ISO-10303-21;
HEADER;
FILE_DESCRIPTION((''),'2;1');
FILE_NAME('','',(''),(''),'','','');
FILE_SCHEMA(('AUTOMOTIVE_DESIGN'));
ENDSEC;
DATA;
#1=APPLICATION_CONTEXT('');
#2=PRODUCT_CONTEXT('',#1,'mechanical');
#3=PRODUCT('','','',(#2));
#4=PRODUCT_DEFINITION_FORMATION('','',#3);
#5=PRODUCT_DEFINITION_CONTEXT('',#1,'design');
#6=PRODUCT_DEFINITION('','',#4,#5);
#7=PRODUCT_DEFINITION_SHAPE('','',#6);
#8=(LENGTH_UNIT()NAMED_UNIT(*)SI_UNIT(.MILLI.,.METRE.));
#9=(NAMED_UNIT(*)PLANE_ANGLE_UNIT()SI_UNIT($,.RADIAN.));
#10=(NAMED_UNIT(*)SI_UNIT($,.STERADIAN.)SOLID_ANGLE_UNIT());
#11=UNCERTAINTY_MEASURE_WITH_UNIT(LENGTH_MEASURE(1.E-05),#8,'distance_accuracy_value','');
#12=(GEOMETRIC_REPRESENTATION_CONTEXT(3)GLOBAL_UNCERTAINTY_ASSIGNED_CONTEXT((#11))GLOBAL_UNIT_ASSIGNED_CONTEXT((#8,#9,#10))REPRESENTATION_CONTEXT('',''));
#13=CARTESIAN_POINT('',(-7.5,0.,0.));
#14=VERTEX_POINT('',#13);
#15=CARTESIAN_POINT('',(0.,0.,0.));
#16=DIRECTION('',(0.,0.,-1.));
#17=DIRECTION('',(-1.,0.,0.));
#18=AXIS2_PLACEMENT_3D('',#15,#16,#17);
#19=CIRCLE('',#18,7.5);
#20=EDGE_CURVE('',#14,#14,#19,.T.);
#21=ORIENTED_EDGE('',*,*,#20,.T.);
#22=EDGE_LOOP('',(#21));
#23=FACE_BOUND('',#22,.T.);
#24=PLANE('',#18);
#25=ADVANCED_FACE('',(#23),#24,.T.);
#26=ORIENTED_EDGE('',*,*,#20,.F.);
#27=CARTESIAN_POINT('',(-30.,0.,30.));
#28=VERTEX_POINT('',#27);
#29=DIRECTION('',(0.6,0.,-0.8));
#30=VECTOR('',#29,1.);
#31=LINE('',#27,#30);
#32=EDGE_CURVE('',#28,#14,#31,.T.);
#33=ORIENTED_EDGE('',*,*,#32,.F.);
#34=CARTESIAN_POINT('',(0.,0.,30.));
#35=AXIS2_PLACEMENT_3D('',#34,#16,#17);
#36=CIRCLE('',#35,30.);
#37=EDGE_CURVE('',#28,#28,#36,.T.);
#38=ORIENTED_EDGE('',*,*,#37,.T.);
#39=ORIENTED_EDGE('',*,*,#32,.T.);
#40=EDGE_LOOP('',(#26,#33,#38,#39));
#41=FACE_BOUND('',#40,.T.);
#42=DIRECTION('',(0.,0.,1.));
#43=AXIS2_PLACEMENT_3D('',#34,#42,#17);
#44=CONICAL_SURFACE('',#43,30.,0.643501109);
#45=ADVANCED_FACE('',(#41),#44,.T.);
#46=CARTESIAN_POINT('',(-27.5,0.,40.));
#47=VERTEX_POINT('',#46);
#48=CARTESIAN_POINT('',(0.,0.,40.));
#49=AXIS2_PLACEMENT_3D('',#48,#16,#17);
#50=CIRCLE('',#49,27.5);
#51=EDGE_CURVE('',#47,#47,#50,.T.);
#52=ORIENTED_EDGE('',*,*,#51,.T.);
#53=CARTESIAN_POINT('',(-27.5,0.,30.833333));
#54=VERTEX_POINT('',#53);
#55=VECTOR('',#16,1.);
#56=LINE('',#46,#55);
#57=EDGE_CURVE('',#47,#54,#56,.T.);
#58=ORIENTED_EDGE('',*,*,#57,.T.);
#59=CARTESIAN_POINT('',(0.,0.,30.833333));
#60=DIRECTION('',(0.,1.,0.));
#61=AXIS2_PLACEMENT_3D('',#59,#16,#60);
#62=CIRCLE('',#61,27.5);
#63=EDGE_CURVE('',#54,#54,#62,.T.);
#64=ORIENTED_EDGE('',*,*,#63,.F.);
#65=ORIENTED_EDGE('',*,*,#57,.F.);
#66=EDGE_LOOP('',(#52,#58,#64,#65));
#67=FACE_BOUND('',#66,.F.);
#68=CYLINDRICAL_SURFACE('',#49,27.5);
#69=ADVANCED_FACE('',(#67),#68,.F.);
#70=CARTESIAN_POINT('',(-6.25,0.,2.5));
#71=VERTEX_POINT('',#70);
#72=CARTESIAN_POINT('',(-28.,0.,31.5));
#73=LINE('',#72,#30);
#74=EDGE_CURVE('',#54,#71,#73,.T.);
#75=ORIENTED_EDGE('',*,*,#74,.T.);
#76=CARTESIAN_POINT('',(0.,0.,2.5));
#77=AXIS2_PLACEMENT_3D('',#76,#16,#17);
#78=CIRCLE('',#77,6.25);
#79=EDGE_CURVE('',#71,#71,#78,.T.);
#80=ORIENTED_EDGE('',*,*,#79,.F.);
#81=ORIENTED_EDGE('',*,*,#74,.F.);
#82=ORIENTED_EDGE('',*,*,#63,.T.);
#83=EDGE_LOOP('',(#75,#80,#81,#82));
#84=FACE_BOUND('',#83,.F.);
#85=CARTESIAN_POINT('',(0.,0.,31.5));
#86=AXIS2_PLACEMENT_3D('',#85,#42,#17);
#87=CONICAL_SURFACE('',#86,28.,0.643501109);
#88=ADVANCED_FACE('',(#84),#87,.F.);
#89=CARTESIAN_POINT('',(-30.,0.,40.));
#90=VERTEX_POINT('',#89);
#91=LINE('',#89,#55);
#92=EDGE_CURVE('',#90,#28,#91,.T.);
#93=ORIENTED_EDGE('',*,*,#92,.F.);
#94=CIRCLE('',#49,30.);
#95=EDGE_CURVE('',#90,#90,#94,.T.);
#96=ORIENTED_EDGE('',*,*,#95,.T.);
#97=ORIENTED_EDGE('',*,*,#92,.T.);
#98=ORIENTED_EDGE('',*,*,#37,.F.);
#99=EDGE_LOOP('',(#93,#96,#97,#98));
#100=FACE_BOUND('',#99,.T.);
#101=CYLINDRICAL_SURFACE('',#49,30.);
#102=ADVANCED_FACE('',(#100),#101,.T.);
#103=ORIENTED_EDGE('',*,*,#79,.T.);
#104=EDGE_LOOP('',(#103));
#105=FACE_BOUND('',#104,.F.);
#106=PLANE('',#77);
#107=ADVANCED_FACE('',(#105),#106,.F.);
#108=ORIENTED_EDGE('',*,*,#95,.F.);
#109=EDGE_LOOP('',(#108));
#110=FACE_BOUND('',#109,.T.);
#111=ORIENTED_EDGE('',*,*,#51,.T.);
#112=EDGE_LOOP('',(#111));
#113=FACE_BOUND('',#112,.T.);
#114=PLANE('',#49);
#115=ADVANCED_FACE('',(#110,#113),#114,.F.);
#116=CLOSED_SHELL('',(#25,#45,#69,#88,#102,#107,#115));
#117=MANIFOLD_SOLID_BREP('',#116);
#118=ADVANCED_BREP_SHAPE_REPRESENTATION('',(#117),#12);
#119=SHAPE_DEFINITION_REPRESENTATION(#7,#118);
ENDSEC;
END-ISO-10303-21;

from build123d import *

# Parameters (mm, degrees)
F2_T = -2.5


with BuildPart() as f1:
    # F0 (on Front) → F1 (revolve)
    with BuildSketch(Plane.XZ):
        Polygon((-30, 40), (-30, 30), (-7.5, 0), (0, 0), (0, 40), align=None)
    revolve(axis=Axis((0, 0, 20), (0, 0, -1)))

    # F2
    f2_openings = [f1.faces().sort_by_distance(p)[0] for p in [
        (0, 0, 40),
    ]]
    offset(amount=F2_T, openings=f2_openings)


solid = f1.part
